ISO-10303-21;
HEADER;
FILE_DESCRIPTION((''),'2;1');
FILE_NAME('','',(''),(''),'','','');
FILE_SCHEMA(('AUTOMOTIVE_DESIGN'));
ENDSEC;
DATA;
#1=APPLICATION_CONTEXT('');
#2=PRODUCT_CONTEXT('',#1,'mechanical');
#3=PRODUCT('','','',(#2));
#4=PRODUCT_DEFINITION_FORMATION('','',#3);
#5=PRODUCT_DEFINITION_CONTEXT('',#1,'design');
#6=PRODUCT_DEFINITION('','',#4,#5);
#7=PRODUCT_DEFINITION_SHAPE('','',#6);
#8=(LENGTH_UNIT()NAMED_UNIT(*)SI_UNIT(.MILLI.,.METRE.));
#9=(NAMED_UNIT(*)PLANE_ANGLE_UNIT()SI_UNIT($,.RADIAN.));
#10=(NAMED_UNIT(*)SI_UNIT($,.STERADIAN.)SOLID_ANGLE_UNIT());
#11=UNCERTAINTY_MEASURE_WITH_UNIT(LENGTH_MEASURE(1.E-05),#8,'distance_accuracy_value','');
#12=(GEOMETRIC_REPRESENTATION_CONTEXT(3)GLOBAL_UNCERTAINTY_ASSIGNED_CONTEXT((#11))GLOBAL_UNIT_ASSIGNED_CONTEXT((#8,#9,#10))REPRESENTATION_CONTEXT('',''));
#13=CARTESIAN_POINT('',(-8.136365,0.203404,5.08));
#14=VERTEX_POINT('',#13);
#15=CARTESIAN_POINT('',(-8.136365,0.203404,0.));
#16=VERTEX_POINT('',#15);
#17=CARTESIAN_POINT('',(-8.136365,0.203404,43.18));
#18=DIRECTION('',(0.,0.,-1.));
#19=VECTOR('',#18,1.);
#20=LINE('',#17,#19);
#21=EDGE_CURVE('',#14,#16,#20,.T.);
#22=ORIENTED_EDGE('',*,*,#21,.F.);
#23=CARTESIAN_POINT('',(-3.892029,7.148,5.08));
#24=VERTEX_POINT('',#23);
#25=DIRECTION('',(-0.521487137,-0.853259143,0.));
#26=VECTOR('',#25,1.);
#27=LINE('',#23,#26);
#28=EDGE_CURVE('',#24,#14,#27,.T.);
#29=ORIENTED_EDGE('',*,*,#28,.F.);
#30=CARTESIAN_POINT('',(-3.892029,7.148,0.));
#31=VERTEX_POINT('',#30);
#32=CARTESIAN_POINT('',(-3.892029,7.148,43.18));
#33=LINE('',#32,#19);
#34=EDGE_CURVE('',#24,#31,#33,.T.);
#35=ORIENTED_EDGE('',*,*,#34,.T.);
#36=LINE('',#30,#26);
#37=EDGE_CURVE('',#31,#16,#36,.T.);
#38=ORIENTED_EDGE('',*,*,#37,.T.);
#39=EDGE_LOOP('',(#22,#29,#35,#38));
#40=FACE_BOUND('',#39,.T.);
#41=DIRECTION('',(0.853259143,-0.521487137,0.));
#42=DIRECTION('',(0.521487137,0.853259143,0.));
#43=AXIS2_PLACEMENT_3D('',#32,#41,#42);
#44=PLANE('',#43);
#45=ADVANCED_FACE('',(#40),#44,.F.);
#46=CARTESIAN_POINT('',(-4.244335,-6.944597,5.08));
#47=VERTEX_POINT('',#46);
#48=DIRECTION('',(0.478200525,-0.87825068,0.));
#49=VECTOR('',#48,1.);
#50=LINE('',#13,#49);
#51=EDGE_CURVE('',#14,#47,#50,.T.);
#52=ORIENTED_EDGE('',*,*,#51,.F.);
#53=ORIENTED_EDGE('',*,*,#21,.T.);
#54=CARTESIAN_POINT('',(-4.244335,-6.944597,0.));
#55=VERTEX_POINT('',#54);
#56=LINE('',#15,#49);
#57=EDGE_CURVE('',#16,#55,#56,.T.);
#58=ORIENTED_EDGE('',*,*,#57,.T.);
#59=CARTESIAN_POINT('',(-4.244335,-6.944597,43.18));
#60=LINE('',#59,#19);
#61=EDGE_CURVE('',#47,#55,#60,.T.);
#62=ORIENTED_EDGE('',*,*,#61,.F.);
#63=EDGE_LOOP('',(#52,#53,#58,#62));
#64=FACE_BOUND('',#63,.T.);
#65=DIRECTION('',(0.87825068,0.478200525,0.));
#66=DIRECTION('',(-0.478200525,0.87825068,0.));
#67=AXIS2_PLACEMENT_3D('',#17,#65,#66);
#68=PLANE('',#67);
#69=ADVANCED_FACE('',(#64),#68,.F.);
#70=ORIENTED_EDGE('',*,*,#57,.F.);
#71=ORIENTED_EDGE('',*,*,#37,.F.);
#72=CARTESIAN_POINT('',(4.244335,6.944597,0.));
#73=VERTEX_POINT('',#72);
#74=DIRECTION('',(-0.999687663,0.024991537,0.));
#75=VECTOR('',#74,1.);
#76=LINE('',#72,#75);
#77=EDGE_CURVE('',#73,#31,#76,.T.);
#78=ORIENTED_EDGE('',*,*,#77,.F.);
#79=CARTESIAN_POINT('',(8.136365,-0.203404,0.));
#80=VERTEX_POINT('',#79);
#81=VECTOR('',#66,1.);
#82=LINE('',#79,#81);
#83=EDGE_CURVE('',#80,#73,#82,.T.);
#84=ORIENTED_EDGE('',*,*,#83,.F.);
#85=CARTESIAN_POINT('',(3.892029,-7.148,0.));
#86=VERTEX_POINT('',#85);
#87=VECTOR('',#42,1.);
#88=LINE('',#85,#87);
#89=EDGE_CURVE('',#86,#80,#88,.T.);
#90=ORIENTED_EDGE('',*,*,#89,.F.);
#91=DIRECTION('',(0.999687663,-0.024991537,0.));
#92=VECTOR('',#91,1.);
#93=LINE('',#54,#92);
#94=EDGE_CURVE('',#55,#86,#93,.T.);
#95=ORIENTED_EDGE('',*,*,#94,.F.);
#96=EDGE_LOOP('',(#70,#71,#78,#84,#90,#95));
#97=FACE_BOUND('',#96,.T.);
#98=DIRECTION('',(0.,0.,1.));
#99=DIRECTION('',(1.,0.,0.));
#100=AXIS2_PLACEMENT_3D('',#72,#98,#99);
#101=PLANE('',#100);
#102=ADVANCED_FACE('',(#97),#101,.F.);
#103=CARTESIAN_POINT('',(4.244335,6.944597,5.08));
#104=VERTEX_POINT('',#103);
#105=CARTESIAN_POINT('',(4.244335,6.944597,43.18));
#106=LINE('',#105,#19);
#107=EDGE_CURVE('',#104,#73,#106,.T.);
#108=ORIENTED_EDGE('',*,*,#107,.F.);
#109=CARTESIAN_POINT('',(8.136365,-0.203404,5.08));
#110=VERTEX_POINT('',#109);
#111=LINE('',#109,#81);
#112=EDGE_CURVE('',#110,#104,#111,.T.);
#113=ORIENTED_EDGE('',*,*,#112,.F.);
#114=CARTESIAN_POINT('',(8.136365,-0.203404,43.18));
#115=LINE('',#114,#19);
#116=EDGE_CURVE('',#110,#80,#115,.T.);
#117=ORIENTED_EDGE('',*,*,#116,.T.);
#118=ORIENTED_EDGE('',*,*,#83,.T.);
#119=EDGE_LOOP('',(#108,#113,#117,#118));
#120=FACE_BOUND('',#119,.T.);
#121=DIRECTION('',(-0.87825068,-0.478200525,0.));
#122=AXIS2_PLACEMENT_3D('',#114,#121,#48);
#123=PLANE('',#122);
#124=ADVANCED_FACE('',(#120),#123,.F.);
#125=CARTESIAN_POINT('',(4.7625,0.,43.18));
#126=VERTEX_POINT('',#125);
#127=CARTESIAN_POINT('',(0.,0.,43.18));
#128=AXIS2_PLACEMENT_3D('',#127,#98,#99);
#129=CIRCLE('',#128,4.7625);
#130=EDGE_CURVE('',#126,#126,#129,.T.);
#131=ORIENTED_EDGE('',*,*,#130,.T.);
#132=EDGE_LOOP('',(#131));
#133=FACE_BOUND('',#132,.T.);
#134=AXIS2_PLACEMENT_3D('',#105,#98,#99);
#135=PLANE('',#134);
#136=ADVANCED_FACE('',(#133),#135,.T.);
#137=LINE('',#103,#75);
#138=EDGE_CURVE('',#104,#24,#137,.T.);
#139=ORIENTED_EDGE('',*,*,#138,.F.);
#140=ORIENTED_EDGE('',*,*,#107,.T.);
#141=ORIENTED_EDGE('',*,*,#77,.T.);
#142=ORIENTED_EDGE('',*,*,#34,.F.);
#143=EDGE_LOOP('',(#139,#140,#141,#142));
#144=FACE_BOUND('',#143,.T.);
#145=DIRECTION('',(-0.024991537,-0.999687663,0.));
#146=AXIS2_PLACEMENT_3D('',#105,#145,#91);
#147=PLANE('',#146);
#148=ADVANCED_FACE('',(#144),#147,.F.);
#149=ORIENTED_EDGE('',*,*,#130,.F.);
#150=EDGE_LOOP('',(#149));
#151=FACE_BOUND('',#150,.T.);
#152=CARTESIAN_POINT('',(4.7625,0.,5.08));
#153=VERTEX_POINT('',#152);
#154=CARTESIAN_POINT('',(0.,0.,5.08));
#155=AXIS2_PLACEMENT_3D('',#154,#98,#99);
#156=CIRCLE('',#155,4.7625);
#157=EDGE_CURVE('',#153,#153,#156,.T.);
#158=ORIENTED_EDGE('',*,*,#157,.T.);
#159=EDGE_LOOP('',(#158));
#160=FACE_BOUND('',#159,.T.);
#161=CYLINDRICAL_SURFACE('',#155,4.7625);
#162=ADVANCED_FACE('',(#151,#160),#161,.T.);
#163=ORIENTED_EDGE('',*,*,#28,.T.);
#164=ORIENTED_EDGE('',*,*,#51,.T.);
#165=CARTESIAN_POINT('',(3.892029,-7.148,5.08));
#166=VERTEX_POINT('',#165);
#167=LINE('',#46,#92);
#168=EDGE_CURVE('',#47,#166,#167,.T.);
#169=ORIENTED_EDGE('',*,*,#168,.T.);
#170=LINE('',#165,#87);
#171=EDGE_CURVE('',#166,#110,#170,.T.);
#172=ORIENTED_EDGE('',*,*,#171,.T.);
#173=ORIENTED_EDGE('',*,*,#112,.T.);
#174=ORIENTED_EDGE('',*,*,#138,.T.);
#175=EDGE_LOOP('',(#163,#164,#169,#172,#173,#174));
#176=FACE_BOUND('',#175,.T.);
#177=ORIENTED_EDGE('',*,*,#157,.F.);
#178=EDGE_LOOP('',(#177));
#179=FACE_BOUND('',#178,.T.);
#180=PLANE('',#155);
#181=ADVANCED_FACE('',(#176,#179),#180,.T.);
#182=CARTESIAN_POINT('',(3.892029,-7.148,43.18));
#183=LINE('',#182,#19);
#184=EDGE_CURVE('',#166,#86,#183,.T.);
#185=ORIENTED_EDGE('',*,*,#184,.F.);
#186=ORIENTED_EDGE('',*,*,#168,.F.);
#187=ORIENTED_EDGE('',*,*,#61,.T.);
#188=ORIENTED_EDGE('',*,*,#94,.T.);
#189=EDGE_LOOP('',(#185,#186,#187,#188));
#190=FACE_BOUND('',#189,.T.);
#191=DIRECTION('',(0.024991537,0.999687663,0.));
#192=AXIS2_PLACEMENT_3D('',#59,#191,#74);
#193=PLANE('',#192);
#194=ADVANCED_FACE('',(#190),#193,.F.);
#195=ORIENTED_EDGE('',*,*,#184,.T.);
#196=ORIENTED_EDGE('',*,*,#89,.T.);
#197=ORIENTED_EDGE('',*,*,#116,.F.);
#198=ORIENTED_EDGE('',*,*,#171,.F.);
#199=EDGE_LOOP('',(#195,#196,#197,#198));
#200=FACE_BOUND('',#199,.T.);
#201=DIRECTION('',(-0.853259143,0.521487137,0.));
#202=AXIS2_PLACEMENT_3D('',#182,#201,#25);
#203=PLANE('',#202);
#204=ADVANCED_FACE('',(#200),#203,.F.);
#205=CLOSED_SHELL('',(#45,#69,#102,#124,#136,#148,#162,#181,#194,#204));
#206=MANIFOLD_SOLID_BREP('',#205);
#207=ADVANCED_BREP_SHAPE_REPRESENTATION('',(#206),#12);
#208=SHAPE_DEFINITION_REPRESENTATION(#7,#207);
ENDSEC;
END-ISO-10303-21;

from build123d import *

# Parameters (mm, degrees)
EXTRUDE1_DEPTH    = 43.18
SKETCH2_OUTSIDE_W = 27.934
SKETCH2_OUTSIDE_H = 25.958
SKETCH2_OUTSIDE_R = 4.7625
EXTRUDE2_DEPTH    = 38.1


with BuildPart() as part:
    # Sketch1 → Extrude1 (new body)
    with BuildSketch(Plane.XY):
        Polygon((4.244335179, 6.944596596), (-3.892029482, 7.148000386), (-8.136364661, 0.203403789), (-4.244335179, -6.944596596), (3.892029482, -7.148000386), (8.136364661, -0.203403789), align=None)
    extrude(amount=EXTRUDE1_DEPTH)

    # Sketch2 outside → Extrude2 (cut)
    with BuildSketch(Plane.XY.offset(43.18)):
        Rectangle(SKETCH2_OUTSIDE_W, SKETCH2_OUTSIDE_H)
        Circle(SKETCH2_OUTSIDE_R, mode=Mode.SUBTRACT)
    extrude(amount=-EXTRUDE2_DEPTH, mode=Mode.SUBTRACT)


solid = part.part
